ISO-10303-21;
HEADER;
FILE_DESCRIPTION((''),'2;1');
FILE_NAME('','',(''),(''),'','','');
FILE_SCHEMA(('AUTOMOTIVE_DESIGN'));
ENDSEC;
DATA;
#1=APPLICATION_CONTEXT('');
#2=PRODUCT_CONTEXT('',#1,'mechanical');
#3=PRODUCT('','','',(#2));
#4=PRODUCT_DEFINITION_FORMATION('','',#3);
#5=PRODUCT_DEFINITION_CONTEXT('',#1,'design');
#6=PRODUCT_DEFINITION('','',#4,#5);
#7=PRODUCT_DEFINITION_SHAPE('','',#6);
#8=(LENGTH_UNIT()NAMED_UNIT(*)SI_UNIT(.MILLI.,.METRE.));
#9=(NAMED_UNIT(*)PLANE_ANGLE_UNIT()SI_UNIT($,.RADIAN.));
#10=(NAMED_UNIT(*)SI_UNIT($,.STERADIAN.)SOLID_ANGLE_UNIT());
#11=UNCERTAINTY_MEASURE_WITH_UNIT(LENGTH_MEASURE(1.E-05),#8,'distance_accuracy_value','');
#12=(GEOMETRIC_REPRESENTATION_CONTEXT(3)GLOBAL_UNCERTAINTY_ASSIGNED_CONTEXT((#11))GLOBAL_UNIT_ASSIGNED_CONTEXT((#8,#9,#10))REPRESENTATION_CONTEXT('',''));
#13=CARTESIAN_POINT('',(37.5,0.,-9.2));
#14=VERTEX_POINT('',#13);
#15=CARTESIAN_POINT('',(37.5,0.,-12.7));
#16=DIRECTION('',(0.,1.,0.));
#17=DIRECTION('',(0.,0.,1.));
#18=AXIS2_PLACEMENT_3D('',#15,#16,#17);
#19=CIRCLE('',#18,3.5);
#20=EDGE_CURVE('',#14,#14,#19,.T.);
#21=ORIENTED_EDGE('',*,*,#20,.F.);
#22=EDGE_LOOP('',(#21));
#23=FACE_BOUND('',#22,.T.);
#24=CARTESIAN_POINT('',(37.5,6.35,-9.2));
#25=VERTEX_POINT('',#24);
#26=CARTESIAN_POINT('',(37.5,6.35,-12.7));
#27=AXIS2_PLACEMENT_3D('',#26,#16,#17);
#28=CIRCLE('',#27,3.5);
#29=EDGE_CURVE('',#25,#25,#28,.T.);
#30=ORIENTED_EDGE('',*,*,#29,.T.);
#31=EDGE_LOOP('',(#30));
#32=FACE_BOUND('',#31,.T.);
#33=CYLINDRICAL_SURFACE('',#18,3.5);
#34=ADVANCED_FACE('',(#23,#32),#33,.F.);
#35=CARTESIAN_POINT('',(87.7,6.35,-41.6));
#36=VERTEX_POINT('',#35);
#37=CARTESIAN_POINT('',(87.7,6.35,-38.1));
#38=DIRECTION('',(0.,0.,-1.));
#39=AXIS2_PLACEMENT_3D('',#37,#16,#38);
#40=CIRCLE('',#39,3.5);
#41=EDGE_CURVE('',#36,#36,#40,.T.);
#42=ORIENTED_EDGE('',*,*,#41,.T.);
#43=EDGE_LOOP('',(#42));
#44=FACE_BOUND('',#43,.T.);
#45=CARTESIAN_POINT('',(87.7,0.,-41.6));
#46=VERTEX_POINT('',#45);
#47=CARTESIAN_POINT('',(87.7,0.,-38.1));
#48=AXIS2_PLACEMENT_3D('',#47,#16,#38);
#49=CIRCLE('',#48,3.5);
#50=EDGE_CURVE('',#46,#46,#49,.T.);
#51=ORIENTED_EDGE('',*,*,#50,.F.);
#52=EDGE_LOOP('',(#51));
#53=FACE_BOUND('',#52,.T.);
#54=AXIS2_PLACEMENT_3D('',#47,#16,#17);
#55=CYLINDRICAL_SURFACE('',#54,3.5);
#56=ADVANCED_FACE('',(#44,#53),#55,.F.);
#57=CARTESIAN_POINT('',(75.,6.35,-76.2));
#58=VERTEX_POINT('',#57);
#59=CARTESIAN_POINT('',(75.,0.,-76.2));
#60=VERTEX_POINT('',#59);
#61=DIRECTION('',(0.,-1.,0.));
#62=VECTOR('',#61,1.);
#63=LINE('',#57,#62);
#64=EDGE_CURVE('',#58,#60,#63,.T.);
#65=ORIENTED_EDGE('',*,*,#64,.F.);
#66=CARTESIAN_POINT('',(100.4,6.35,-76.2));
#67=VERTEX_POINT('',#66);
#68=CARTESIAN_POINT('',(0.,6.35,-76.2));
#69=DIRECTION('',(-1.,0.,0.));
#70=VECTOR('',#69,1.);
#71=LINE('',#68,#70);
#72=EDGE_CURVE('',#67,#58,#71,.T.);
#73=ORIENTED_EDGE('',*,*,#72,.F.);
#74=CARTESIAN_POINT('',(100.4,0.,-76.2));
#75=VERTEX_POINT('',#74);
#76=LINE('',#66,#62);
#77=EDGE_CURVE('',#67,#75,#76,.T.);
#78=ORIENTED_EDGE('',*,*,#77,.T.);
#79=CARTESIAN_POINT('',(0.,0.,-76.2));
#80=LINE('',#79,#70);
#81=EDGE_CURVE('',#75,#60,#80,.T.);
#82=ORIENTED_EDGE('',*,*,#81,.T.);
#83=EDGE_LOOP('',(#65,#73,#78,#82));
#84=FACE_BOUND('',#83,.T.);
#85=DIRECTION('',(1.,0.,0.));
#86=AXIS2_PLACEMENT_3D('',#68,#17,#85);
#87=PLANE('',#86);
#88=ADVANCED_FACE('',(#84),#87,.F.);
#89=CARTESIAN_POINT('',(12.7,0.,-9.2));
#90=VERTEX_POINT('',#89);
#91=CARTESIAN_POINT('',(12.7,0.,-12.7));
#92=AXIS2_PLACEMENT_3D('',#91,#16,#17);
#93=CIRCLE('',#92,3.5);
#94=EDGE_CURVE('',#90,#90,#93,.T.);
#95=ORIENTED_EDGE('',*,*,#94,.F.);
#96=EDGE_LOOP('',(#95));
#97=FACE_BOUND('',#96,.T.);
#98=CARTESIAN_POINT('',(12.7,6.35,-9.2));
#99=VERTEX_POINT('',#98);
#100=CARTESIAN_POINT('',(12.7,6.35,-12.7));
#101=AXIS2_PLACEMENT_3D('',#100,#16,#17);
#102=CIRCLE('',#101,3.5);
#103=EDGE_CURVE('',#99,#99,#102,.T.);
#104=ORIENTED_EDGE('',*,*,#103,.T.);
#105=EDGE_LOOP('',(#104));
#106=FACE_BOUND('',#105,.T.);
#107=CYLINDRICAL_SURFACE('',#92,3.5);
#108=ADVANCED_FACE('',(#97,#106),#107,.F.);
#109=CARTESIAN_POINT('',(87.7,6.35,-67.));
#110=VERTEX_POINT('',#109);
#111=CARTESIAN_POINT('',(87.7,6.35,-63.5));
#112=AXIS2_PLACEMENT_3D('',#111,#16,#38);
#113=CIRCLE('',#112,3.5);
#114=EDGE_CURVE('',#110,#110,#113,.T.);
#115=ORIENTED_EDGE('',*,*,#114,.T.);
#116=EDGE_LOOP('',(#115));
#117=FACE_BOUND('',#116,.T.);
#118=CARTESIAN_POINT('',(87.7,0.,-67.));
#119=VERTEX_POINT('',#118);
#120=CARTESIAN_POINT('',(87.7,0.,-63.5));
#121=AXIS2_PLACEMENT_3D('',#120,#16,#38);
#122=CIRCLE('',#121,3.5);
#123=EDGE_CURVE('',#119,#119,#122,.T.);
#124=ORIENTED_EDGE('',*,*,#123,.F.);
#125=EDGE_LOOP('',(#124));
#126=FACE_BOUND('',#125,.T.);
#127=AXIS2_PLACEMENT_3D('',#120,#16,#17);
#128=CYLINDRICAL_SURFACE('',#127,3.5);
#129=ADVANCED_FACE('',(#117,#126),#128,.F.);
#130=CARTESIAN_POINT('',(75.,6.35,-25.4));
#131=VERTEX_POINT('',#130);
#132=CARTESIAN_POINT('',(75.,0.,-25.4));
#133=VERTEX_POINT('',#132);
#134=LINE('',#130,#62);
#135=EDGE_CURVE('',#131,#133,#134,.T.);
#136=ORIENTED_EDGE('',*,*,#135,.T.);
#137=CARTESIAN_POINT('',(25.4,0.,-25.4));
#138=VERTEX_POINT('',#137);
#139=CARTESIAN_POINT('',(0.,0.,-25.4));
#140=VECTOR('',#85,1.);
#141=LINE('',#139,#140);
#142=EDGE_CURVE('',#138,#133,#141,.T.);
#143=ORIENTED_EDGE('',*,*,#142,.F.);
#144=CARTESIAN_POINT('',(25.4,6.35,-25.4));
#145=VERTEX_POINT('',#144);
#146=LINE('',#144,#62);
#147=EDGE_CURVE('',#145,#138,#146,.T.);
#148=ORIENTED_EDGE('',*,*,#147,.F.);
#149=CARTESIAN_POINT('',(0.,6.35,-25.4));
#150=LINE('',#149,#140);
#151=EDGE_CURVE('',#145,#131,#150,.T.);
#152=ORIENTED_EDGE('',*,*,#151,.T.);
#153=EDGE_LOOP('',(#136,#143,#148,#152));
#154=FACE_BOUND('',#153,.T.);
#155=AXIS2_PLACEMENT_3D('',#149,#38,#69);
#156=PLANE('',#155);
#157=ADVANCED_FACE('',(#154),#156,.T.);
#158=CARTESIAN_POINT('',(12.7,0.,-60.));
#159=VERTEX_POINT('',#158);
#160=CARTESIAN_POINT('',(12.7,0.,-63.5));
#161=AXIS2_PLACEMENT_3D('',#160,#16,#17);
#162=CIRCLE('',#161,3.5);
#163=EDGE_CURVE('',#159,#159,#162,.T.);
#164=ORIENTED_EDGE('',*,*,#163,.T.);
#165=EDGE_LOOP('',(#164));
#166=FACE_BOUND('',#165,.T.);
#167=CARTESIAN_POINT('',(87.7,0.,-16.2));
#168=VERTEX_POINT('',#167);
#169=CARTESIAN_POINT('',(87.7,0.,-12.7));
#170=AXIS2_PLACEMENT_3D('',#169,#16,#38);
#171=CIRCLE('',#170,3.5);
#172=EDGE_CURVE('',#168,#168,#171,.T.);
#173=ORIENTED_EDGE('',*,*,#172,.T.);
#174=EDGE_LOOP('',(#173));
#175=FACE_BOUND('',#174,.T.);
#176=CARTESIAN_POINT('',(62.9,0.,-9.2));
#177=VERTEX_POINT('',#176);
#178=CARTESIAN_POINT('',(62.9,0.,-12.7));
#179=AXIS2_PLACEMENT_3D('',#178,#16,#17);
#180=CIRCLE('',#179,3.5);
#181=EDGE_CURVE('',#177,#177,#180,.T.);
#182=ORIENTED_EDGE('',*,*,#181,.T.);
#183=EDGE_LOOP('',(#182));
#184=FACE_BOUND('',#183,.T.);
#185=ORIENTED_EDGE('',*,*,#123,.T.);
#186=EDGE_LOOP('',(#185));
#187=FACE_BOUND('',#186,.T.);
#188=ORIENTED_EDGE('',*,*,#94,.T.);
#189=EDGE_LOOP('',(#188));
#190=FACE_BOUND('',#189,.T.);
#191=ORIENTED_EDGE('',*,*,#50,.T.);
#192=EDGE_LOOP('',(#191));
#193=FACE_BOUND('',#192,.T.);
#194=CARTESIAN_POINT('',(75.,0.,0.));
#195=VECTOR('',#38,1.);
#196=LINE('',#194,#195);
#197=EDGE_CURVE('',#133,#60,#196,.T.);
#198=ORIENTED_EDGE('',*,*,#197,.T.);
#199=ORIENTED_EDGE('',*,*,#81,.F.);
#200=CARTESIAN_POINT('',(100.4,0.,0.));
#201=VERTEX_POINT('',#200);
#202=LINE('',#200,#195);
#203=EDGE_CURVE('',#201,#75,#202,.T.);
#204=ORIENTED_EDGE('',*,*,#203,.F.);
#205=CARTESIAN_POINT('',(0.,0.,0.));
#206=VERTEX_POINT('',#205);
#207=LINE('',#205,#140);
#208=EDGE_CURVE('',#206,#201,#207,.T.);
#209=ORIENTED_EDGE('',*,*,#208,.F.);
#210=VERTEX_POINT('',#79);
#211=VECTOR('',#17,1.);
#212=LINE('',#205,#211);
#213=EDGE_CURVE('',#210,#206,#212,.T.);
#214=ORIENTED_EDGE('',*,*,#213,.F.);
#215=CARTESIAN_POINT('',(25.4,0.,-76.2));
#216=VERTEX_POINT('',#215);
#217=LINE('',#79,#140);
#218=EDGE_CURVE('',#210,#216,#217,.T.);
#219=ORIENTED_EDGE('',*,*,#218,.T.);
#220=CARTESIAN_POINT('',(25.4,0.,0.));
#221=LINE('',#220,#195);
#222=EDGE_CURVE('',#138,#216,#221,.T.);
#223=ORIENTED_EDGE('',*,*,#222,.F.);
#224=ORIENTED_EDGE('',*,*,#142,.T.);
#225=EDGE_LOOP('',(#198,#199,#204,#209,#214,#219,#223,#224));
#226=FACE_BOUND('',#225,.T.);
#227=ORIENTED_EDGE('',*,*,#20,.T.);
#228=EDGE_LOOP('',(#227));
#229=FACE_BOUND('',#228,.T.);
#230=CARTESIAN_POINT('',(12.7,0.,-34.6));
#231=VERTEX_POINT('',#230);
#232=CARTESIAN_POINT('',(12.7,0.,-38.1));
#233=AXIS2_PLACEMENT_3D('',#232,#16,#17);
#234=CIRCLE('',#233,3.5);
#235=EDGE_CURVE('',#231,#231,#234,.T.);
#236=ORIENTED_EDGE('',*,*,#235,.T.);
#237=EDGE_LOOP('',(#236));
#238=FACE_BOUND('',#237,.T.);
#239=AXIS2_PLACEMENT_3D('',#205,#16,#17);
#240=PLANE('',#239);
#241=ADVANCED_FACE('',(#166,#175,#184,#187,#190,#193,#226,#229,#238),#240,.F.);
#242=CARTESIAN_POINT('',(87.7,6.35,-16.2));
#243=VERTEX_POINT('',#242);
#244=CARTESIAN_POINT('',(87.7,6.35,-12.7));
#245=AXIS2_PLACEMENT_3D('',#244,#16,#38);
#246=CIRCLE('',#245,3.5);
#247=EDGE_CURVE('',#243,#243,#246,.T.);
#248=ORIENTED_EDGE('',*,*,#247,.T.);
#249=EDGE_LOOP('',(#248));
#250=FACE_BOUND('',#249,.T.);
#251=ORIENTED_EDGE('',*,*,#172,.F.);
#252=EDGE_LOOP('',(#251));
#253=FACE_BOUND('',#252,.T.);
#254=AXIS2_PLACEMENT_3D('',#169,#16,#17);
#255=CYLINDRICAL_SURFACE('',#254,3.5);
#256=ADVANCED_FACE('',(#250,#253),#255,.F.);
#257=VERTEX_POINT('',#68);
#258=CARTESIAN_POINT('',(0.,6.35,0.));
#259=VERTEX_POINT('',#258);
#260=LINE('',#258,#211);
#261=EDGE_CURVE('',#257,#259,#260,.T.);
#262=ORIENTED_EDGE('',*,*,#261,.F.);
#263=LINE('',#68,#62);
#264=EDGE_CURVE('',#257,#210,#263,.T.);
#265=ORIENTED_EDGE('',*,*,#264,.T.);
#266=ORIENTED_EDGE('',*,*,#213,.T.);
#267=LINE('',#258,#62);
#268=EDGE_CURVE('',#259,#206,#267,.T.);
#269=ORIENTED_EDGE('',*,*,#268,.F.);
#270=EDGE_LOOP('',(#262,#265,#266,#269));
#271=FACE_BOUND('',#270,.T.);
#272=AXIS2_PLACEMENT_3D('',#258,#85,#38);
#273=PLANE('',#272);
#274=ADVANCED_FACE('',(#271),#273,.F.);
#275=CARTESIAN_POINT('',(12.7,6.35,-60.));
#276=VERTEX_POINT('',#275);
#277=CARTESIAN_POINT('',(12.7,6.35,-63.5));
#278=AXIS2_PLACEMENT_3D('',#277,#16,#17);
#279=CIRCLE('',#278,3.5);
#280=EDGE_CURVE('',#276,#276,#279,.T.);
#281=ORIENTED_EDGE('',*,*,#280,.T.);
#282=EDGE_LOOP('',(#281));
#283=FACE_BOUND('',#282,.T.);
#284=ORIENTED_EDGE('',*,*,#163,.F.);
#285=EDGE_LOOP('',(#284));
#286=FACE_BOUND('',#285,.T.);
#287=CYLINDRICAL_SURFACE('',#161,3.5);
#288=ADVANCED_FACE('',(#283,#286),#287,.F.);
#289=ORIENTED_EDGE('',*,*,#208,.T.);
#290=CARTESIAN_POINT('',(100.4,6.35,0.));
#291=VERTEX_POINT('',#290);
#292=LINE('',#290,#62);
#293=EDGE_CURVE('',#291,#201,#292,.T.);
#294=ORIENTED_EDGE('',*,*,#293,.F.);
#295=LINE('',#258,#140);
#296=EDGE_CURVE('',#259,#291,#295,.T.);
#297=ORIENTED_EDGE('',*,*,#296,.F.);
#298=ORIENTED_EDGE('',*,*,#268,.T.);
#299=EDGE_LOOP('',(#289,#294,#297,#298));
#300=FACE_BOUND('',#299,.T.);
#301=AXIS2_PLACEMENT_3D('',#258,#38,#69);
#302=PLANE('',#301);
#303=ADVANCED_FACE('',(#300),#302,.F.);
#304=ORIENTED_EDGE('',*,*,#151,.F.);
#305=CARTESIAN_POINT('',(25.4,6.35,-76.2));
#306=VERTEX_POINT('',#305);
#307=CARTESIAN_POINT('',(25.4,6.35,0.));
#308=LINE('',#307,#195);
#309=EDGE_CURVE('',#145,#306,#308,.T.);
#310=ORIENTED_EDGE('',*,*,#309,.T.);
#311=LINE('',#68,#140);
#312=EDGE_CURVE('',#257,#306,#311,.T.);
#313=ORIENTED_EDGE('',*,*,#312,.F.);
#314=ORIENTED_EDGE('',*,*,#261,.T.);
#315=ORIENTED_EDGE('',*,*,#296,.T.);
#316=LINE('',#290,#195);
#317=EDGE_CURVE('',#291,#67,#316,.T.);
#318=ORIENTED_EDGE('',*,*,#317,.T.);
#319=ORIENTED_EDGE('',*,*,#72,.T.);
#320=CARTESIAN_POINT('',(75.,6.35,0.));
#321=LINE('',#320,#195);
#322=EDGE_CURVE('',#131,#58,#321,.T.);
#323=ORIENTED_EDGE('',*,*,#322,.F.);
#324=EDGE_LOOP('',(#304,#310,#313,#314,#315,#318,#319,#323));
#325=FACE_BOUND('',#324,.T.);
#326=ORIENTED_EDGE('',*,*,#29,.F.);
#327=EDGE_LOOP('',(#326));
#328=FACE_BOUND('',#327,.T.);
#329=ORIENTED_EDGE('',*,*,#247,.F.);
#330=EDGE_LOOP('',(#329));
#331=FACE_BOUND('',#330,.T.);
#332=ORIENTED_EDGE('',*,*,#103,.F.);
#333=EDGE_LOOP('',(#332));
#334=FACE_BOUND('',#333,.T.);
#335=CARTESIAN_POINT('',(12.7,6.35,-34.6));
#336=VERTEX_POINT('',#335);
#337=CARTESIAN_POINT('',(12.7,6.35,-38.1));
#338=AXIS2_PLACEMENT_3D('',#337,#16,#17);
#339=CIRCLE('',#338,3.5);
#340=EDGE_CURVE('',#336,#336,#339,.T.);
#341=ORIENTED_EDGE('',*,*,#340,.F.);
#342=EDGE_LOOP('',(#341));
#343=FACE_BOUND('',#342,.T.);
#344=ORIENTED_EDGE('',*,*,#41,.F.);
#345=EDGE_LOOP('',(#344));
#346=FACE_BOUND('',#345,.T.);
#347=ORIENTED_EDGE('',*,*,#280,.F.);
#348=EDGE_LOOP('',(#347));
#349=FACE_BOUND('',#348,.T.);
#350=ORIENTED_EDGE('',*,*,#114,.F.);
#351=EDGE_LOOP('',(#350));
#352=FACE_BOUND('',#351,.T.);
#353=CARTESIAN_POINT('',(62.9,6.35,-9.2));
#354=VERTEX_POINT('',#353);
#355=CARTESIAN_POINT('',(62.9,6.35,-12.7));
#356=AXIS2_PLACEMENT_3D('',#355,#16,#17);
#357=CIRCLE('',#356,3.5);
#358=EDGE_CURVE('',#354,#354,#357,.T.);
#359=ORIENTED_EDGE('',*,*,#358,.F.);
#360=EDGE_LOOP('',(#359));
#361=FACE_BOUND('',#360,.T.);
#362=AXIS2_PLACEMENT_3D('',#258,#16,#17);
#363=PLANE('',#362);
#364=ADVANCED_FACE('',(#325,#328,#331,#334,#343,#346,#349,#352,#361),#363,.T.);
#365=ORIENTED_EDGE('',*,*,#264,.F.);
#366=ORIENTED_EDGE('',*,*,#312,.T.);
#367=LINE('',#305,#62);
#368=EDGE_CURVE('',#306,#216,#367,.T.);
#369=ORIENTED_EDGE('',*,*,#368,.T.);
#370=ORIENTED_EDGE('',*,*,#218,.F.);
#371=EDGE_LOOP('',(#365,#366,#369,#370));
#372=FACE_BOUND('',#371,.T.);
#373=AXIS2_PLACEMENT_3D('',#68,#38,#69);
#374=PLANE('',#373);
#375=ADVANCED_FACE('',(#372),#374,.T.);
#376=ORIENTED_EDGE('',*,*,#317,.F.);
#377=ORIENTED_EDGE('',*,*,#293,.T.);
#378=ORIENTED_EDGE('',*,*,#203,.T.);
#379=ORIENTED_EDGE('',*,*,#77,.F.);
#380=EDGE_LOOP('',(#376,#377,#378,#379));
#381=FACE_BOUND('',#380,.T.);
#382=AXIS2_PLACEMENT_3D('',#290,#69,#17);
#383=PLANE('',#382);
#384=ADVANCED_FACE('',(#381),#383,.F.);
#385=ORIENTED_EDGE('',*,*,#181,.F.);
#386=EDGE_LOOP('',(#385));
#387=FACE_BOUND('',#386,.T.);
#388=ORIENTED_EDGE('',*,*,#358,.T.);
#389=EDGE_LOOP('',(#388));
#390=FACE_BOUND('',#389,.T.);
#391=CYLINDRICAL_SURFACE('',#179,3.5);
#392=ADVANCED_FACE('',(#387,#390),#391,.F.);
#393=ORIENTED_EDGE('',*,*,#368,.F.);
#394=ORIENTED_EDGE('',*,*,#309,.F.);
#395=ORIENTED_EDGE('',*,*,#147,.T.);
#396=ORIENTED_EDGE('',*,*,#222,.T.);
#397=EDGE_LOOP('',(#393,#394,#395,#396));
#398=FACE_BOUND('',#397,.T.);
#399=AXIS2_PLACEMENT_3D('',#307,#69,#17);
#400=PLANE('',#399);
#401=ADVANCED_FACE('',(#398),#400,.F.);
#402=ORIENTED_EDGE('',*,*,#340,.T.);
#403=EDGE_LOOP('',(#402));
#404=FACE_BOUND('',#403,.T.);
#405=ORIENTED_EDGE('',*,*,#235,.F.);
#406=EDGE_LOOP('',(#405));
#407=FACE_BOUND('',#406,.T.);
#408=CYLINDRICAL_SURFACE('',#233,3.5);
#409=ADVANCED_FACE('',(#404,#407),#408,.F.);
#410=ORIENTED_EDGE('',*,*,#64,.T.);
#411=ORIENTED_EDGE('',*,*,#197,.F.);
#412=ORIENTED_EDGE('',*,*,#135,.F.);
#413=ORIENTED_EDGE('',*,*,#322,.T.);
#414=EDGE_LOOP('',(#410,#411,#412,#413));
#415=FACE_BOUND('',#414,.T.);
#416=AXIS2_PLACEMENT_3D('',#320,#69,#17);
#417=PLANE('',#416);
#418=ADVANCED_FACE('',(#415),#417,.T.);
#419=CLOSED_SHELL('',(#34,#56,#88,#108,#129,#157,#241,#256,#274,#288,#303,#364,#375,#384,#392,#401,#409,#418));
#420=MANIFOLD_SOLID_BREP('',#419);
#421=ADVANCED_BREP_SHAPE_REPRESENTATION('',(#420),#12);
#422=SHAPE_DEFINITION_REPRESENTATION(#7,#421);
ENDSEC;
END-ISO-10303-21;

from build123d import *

# Parameters (mm, degrees)
BOSS_EXTRUDE1_DEPTH = 6.35
SKETCH2_R           = 3.5
CUT_EXTRUDE1_DEPTH  = 6.35


with BuildPart() as part:
    # Sketch1 → Boss-Extrude1 (new body)
    with BuildSketch(Plane(origin=(0, 0, 0), x_dir=(1, 0, 0), z_dir=(0, 1, 0))):
        Polygon((0, 76.2), (0, 0), (25.4, 0), (75, 0), (100.4, 0), (100.4, 76.2), (75, 76.2), (75, 25.4), (25.4, 25.4), (25.4, 76.2), align=None)
    extrude(amount=BOSS_EXTRUDE1_DEPTH)

    # Sketch2 → Cut-Extrude1 (cut)
    with BuildSketch(Plane(origin=(0, 6.35, 0), x_dir=(1, 0, 0), z_dir=(0, 1, 0))):
        with Locations((12.7, 12.7)):
            Circle(SKETCH2_R)
        with Locations((12.7, 38.1)):
            Circle(SKETCH2_R)
        with Locations((12.7, 63.5)):
            Circle(SKETCH2_R)
        with Locations((87.7, 63.5)):
            Circle(SKETCH2_R)
        with Locations((87.7, 38.1)):
            Circle(SKETCH2_R)
        with Locations((87.7, 12.7)):
            Circle(SKETCH2_R)
        with Locations((37.5, 12.7)):
            Circle(SKETCH2_R)
        with Locations((62.9, 12.7)):
            Circle(SKETCH2_R)
    extrude(amount=-CUT_EXTRUDE1_DEPTH, mode=Mode.SUBTRACT)


solid = part.part
